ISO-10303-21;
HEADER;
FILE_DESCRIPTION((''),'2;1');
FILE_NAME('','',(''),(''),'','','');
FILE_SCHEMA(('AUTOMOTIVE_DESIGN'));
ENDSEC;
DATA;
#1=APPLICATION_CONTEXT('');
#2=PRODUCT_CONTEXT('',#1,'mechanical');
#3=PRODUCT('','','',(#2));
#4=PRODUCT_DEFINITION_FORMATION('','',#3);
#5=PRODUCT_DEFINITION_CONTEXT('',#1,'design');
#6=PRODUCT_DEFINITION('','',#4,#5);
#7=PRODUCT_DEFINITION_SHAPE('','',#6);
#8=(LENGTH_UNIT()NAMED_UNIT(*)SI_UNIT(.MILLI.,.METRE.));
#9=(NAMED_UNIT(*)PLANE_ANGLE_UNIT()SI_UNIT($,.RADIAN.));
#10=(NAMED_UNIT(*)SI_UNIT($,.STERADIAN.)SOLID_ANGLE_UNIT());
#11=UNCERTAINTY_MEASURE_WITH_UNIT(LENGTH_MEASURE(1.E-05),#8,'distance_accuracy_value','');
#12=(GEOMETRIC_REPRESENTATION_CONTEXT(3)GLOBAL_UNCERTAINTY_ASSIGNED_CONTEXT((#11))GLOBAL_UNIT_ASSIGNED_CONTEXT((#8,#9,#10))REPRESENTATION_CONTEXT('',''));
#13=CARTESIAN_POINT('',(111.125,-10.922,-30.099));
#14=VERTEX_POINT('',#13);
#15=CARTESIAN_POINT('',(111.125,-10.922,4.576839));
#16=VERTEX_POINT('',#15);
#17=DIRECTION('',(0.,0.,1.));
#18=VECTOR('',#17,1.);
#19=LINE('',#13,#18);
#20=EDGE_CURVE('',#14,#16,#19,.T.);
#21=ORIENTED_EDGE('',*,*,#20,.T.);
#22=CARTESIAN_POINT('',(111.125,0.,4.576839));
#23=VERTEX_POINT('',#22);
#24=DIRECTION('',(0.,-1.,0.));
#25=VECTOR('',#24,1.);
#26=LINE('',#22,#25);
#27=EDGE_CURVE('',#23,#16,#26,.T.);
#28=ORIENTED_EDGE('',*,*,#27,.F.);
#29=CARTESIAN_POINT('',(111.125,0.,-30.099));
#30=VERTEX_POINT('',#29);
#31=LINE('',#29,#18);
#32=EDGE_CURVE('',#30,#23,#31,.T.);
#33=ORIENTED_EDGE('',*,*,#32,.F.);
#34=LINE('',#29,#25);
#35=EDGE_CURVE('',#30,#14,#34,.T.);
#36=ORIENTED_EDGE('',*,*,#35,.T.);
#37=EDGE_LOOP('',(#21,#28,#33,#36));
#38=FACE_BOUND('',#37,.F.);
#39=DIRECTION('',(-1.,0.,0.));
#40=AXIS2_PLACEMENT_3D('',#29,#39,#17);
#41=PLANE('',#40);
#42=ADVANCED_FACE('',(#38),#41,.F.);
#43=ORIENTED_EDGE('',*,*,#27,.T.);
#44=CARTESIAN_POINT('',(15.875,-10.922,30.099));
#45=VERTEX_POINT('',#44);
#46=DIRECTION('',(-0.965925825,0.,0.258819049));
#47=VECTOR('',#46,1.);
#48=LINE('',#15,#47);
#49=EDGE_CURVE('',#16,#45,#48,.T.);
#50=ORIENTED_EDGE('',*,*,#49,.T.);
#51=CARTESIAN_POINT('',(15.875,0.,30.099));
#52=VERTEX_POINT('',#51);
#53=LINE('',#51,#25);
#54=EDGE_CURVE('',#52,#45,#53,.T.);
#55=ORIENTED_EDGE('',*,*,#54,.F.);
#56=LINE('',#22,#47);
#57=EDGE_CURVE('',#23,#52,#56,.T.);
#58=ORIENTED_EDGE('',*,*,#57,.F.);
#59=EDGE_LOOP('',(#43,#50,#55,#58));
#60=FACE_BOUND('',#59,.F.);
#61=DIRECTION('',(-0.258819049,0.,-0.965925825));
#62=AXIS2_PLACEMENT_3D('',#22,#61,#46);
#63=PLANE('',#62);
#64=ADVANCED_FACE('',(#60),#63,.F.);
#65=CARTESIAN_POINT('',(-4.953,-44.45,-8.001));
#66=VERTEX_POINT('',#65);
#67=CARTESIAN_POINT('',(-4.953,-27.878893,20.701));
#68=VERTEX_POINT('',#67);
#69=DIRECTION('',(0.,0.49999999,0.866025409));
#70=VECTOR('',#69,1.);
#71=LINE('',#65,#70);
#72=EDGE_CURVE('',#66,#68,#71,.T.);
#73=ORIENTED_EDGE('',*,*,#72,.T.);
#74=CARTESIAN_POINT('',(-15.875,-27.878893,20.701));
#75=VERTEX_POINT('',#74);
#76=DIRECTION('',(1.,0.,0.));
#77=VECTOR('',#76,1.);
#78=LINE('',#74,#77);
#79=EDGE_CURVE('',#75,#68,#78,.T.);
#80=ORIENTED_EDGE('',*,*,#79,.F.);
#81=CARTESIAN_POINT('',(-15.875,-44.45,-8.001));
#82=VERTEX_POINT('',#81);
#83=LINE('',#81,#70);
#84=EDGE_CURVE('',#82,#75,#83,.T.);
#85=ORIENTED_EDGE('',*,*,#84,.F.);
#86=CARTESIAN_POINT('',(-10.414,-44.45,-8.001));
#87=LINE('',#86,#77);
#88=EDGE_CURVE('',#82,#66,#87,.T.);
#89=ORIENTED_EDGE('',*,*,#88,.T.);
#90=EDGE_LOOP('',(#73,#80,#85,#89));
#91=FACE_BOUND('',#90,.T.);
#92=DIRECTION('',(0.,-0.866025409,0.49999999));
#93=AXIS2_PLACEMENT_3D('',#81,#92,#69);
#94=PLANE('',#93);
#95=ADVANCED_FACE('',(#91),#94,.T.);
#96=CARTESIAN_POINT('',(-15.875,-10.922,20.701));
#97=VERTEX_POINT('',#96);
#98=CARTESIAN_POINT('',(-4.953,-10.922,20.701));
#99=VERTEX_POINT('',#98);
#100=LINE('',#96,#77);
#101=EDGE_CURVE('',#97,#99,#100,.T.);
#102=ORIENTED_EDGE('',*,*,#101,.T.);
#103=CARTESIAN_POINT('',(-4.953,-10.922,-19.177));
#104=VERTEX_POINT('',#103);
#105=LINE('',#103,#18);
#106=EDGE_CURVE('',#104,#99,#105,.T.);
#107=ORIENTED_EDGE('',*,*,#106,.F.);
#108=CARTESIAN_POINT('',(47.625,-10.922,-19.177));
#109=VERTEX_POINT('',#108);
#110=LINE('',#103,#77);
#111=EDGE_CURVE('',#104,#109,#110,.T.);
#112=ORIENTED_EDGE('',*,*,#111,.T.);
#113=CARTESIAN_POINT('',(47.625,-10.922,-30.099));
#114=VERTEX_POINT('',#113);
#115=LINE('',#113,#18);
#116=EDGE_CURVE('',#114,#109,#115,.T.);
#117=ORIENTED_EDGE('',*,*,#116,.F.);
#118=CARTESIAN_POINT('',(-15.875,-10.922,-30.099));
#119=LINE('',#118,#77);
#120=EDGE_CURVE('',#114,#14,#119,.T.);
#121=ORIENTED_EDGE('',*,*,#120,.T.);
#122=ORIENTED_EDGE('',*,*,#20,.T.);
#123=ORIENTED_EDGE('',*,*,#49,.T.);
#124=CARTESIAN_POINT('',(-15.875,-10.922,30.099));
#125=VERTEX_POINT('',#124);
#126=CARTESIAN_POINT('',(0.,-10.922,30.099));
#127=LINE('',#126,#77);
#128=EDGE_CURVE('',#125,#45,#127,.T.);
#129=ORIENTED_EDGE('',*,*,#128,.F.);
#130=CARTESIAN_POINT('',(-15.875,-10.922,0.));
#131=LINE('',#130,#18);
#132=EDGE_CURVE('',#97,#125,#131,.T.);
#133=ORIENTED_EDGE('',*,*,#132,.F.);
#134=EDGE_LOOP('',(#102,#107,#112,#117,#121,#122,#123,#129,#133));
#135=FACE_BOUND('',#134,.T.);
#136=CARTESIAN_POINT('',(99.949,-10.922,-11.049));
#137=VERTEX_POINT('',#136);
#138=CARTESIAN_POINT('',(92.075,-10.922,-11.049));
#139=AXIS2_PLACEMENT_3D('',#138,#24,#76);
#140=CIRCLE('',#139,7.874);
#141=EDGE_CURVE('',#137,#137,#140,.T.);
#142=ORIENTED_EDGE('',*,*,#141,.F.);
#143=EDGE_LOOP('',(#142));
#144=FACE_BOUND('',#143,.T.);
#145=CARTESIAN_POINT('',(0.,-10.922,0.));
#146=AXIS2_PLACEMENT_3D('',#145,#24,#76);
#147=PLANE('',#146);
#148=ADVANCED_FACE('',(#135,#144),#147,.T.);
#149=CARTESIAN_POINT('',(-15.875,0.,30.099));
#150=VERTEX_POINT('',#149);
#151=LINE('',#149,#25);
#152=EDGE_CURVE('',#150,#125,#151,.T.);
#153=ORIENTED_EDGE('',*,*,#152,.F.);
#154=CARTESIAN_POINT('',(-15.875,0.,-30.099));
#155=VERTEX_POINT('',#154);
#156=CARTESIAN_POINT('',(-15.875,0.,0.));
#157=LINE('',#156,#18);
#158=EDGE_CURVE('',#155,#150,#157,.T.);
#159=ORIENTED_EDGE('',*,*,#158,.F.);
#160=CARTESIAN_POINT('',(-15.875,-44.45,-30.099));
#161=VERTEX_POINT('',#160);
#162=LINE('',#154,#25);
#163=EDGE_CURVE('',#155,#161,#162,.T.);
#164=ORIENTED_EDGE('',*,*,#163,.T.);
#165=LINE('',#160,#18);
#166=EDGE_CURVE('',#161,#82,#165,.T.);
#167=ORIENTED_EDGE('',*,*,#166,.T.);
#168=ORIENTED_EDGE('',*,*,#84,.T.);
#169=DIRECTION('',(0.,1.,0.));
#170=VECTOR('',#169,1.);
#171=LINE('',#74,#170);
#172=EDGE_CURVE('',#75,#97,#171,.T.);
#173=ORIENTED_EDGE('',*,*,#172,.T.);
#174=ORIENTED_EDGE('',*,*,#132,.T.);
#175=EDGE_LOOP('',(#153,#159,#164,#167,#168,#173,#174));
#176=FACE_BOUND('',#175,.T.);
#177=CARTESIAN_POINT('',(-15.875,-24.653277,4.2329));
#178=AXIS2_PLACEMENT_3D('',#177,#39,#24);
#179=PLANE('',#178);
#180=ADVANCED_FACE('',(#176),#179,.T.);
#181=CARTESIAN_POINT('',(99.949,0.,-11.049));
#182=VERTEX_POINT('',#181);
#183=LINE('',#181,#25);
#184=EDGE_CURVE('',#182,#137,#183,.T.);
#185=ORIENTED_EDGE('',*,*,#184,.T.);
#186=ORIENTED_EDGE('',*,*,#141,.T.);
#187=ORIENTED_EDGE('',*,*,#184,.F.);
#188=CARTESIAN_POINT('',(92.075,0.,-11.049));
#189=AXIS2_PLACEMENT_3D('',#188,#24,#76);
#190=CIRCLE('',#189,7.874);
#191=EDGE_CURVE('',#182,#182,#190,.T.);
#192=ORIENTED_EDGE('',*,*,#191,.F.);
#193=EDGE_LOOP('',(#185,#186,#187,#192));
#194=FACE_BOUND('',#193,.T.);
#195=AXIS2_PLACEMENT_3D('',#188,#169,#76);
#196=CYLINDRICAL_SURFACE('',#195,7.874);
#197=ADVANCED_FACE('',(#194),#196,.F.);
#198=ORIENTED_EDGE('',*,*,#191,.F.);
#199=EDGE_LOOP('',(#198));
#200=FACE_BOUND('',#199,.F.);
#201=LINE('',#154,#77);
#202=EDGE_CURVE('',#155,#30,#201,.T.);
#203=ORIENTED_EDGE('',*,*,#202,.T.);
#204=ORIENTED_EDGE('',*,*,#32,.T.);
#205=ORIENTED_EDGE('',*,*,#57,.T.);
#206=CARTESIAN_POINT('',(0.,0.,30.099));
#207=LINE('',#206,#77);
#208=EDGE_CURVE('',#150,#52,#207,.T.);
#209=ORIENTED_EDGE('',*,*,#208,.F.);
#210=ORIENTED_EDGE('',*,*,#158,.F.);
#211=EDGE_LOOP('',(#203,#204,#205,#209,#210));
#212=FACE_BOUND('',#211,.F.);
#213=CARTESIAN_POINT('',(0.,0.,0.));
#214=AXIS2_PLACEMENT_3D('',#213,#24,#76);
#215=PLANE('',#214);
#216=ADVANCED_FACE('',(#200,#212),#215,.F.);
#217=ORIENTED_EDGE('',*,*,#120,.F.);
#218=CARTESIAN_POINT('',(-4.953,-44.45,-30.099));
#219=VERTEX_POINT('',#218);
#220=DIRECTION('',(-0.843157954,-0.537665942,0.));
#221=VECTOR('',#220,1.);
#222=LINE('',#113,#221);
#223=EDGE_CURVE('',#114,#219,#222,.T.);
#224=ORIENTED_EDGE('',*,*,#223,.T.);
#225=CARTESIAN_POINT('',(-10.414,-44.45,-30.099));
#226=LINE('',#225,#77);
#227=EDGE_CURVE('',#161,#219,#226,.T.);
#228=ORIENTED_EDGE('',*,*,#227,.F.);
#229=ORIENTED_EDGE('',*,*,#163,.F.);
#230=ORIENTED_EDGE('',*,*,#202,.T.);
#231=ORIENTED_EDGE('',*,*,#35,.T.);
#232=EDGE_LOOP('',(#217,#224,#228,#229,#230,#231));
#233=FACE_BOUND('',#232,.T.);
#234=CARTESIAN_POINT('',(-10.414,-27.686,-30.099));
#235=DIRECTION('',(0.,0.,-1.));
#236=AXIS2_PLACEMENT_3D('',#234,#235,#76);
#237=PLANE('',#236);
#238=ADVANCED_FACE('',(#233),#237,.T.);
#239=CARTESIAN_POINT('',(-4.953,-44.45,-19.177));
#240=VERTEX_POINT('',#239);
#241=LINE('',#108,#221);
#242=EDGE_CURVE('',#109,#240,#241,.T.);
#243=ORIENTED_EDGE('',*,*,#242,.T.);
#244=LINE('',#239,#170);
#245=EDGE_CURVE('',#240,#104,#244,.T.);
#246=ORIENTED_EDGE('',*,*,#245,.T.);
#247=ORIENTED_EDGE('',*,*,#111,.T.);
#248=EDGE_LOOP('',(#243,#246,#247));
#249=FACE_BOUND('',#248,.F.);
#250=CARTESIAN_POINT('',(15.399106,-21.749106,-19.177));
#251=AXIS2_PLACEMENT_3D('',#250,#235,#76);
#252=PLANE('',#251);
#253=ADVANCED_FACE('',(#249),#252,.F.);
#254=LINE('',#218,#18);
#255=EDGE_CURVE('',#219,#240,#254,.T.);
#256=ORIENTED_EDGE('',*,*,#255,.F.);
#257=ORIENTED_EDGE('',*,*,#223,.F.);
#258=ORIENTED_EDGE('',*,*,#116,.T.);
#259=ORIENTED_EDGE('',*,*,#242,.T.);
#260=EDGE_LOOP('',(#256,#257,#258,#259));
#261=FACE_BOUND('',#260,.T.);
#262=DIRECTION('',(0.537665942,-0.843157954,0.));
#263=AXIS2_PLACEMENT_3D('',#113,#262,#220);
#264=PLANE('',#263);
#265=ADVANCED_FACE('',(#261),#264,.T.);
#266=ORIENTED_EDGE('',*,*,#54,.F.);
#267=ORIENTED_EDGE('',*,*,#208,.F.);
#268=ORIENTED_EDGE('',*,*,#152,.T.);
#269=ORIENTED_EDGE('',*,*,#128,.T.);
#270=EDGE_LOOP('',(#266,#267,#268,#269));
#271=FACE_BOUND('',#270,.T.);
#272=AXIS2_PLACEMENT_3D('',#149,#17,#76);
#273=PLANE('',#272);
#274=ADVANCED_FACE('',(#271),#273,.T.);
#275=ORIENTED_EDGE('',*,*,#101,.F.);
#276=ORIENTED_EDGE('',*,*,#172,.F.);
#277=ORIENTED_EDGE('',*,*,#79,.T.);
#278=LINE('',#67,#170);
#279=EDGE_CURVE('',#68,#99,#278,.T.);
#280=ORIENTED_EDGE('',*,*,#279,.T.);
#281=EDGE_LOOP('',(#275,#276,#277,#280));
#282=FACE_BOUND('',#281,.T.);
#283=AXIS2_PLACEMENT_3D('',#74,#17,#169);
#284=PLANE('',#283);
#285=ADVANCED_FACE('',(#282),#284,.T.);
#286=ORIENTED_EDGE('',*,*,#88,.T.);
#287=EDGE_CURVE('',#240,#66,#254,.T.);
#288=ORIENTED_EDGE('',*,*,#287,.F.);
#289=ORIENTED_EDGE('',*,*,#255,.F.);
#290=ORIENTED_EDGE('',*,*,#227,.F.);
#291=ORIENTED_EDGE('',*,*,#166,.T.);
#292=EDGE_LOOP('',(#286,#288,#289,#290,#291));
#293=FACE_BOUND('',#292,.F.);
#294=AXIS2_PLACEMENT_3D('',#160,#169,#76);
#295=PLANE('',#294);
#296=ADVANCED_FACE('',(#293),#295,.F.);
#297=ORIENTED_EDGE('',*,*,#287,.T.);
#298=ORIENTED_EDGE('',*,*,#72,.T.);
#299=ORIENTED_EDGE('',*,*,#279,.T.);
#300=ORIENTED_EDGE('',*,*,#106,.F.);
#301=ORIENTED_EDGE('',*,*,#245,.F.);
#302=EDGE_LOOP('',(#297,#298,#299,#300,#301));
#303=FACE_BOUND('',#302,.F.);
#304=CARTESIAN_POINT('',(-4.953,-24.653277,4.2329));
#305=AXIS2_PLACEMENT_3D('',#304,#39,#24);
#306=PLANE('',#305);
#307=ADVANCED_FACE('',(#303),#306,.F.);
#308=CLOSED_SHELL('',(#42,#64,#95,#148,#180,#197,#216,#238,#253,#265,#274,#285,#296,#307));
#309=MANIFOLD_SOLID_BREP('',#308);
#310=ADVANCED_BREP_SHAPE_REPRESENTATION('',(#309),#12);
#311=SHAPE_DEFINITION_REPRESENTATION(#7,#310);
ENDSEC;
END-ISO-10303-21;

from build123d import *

# Parameters (mm, degrees)
F0_W     = 31.75
F0_H     = 60.198
F0_R     = 7.874
F1_DEPTH = 10.922
F3_DEPTH = 10.922
F2_W     = 10.922
F2_H     = 33.528
F4_DEPTH = 22.098
F6_DEPTH = 10.922


with BuildPart() as f1:
    # F0 (on Front) → F1 (new body)
    with BuildSketch(Plane.XZ):
        Rectangle(F0_W, F0_H)
        Polygon((111.125, 4.576839), (15.875, 30.099), (15.875, -30.099), (111.125, -30.099), align=None)
        with Locations((92.075, -11.049)):
            Circle(F0_R, mode=Mode.SUBTRACT)
    extrude(amount=F1_DEPTH)

    # F2 (on face) → F3 (join)
    with BuildSketch(Plane(origin=(0, 0, -30.099), x_dir=(1, 0, 0), z_dir=(0, 0, -1))):
        Polygon((-4.953, 44.45), (-4.953, 10.922), (47.625, 10.922), align=None)
    extrude(amount=-F3_DEPTH)

    # F2 (on face) → F4 (join)
    with BuildSketch(Plane(origin=(0, 0, -30.099), x_dir=(1, 0, 0), z_dir=(0, 0, -1))):
        with Locations((-10.414, 27.686)):
            Rectangle(F2_W, F2_H)
    extrude(amount=-F4_DEPTH)

    # F5 (on face) → F6 (join)
    with BuildSketch(Plane(origin=(-15.875, 0, 0), x_dir=(0, -1, 0), z_dir=(-1, 0, 0))):
        Polygon((10.922, -8.001), (44.45, -8.001), (27.878893, 20.701), (10.922, 20.701), align=None)
    extrude(amount=-F6_DEPTH)


solid = f1.part
